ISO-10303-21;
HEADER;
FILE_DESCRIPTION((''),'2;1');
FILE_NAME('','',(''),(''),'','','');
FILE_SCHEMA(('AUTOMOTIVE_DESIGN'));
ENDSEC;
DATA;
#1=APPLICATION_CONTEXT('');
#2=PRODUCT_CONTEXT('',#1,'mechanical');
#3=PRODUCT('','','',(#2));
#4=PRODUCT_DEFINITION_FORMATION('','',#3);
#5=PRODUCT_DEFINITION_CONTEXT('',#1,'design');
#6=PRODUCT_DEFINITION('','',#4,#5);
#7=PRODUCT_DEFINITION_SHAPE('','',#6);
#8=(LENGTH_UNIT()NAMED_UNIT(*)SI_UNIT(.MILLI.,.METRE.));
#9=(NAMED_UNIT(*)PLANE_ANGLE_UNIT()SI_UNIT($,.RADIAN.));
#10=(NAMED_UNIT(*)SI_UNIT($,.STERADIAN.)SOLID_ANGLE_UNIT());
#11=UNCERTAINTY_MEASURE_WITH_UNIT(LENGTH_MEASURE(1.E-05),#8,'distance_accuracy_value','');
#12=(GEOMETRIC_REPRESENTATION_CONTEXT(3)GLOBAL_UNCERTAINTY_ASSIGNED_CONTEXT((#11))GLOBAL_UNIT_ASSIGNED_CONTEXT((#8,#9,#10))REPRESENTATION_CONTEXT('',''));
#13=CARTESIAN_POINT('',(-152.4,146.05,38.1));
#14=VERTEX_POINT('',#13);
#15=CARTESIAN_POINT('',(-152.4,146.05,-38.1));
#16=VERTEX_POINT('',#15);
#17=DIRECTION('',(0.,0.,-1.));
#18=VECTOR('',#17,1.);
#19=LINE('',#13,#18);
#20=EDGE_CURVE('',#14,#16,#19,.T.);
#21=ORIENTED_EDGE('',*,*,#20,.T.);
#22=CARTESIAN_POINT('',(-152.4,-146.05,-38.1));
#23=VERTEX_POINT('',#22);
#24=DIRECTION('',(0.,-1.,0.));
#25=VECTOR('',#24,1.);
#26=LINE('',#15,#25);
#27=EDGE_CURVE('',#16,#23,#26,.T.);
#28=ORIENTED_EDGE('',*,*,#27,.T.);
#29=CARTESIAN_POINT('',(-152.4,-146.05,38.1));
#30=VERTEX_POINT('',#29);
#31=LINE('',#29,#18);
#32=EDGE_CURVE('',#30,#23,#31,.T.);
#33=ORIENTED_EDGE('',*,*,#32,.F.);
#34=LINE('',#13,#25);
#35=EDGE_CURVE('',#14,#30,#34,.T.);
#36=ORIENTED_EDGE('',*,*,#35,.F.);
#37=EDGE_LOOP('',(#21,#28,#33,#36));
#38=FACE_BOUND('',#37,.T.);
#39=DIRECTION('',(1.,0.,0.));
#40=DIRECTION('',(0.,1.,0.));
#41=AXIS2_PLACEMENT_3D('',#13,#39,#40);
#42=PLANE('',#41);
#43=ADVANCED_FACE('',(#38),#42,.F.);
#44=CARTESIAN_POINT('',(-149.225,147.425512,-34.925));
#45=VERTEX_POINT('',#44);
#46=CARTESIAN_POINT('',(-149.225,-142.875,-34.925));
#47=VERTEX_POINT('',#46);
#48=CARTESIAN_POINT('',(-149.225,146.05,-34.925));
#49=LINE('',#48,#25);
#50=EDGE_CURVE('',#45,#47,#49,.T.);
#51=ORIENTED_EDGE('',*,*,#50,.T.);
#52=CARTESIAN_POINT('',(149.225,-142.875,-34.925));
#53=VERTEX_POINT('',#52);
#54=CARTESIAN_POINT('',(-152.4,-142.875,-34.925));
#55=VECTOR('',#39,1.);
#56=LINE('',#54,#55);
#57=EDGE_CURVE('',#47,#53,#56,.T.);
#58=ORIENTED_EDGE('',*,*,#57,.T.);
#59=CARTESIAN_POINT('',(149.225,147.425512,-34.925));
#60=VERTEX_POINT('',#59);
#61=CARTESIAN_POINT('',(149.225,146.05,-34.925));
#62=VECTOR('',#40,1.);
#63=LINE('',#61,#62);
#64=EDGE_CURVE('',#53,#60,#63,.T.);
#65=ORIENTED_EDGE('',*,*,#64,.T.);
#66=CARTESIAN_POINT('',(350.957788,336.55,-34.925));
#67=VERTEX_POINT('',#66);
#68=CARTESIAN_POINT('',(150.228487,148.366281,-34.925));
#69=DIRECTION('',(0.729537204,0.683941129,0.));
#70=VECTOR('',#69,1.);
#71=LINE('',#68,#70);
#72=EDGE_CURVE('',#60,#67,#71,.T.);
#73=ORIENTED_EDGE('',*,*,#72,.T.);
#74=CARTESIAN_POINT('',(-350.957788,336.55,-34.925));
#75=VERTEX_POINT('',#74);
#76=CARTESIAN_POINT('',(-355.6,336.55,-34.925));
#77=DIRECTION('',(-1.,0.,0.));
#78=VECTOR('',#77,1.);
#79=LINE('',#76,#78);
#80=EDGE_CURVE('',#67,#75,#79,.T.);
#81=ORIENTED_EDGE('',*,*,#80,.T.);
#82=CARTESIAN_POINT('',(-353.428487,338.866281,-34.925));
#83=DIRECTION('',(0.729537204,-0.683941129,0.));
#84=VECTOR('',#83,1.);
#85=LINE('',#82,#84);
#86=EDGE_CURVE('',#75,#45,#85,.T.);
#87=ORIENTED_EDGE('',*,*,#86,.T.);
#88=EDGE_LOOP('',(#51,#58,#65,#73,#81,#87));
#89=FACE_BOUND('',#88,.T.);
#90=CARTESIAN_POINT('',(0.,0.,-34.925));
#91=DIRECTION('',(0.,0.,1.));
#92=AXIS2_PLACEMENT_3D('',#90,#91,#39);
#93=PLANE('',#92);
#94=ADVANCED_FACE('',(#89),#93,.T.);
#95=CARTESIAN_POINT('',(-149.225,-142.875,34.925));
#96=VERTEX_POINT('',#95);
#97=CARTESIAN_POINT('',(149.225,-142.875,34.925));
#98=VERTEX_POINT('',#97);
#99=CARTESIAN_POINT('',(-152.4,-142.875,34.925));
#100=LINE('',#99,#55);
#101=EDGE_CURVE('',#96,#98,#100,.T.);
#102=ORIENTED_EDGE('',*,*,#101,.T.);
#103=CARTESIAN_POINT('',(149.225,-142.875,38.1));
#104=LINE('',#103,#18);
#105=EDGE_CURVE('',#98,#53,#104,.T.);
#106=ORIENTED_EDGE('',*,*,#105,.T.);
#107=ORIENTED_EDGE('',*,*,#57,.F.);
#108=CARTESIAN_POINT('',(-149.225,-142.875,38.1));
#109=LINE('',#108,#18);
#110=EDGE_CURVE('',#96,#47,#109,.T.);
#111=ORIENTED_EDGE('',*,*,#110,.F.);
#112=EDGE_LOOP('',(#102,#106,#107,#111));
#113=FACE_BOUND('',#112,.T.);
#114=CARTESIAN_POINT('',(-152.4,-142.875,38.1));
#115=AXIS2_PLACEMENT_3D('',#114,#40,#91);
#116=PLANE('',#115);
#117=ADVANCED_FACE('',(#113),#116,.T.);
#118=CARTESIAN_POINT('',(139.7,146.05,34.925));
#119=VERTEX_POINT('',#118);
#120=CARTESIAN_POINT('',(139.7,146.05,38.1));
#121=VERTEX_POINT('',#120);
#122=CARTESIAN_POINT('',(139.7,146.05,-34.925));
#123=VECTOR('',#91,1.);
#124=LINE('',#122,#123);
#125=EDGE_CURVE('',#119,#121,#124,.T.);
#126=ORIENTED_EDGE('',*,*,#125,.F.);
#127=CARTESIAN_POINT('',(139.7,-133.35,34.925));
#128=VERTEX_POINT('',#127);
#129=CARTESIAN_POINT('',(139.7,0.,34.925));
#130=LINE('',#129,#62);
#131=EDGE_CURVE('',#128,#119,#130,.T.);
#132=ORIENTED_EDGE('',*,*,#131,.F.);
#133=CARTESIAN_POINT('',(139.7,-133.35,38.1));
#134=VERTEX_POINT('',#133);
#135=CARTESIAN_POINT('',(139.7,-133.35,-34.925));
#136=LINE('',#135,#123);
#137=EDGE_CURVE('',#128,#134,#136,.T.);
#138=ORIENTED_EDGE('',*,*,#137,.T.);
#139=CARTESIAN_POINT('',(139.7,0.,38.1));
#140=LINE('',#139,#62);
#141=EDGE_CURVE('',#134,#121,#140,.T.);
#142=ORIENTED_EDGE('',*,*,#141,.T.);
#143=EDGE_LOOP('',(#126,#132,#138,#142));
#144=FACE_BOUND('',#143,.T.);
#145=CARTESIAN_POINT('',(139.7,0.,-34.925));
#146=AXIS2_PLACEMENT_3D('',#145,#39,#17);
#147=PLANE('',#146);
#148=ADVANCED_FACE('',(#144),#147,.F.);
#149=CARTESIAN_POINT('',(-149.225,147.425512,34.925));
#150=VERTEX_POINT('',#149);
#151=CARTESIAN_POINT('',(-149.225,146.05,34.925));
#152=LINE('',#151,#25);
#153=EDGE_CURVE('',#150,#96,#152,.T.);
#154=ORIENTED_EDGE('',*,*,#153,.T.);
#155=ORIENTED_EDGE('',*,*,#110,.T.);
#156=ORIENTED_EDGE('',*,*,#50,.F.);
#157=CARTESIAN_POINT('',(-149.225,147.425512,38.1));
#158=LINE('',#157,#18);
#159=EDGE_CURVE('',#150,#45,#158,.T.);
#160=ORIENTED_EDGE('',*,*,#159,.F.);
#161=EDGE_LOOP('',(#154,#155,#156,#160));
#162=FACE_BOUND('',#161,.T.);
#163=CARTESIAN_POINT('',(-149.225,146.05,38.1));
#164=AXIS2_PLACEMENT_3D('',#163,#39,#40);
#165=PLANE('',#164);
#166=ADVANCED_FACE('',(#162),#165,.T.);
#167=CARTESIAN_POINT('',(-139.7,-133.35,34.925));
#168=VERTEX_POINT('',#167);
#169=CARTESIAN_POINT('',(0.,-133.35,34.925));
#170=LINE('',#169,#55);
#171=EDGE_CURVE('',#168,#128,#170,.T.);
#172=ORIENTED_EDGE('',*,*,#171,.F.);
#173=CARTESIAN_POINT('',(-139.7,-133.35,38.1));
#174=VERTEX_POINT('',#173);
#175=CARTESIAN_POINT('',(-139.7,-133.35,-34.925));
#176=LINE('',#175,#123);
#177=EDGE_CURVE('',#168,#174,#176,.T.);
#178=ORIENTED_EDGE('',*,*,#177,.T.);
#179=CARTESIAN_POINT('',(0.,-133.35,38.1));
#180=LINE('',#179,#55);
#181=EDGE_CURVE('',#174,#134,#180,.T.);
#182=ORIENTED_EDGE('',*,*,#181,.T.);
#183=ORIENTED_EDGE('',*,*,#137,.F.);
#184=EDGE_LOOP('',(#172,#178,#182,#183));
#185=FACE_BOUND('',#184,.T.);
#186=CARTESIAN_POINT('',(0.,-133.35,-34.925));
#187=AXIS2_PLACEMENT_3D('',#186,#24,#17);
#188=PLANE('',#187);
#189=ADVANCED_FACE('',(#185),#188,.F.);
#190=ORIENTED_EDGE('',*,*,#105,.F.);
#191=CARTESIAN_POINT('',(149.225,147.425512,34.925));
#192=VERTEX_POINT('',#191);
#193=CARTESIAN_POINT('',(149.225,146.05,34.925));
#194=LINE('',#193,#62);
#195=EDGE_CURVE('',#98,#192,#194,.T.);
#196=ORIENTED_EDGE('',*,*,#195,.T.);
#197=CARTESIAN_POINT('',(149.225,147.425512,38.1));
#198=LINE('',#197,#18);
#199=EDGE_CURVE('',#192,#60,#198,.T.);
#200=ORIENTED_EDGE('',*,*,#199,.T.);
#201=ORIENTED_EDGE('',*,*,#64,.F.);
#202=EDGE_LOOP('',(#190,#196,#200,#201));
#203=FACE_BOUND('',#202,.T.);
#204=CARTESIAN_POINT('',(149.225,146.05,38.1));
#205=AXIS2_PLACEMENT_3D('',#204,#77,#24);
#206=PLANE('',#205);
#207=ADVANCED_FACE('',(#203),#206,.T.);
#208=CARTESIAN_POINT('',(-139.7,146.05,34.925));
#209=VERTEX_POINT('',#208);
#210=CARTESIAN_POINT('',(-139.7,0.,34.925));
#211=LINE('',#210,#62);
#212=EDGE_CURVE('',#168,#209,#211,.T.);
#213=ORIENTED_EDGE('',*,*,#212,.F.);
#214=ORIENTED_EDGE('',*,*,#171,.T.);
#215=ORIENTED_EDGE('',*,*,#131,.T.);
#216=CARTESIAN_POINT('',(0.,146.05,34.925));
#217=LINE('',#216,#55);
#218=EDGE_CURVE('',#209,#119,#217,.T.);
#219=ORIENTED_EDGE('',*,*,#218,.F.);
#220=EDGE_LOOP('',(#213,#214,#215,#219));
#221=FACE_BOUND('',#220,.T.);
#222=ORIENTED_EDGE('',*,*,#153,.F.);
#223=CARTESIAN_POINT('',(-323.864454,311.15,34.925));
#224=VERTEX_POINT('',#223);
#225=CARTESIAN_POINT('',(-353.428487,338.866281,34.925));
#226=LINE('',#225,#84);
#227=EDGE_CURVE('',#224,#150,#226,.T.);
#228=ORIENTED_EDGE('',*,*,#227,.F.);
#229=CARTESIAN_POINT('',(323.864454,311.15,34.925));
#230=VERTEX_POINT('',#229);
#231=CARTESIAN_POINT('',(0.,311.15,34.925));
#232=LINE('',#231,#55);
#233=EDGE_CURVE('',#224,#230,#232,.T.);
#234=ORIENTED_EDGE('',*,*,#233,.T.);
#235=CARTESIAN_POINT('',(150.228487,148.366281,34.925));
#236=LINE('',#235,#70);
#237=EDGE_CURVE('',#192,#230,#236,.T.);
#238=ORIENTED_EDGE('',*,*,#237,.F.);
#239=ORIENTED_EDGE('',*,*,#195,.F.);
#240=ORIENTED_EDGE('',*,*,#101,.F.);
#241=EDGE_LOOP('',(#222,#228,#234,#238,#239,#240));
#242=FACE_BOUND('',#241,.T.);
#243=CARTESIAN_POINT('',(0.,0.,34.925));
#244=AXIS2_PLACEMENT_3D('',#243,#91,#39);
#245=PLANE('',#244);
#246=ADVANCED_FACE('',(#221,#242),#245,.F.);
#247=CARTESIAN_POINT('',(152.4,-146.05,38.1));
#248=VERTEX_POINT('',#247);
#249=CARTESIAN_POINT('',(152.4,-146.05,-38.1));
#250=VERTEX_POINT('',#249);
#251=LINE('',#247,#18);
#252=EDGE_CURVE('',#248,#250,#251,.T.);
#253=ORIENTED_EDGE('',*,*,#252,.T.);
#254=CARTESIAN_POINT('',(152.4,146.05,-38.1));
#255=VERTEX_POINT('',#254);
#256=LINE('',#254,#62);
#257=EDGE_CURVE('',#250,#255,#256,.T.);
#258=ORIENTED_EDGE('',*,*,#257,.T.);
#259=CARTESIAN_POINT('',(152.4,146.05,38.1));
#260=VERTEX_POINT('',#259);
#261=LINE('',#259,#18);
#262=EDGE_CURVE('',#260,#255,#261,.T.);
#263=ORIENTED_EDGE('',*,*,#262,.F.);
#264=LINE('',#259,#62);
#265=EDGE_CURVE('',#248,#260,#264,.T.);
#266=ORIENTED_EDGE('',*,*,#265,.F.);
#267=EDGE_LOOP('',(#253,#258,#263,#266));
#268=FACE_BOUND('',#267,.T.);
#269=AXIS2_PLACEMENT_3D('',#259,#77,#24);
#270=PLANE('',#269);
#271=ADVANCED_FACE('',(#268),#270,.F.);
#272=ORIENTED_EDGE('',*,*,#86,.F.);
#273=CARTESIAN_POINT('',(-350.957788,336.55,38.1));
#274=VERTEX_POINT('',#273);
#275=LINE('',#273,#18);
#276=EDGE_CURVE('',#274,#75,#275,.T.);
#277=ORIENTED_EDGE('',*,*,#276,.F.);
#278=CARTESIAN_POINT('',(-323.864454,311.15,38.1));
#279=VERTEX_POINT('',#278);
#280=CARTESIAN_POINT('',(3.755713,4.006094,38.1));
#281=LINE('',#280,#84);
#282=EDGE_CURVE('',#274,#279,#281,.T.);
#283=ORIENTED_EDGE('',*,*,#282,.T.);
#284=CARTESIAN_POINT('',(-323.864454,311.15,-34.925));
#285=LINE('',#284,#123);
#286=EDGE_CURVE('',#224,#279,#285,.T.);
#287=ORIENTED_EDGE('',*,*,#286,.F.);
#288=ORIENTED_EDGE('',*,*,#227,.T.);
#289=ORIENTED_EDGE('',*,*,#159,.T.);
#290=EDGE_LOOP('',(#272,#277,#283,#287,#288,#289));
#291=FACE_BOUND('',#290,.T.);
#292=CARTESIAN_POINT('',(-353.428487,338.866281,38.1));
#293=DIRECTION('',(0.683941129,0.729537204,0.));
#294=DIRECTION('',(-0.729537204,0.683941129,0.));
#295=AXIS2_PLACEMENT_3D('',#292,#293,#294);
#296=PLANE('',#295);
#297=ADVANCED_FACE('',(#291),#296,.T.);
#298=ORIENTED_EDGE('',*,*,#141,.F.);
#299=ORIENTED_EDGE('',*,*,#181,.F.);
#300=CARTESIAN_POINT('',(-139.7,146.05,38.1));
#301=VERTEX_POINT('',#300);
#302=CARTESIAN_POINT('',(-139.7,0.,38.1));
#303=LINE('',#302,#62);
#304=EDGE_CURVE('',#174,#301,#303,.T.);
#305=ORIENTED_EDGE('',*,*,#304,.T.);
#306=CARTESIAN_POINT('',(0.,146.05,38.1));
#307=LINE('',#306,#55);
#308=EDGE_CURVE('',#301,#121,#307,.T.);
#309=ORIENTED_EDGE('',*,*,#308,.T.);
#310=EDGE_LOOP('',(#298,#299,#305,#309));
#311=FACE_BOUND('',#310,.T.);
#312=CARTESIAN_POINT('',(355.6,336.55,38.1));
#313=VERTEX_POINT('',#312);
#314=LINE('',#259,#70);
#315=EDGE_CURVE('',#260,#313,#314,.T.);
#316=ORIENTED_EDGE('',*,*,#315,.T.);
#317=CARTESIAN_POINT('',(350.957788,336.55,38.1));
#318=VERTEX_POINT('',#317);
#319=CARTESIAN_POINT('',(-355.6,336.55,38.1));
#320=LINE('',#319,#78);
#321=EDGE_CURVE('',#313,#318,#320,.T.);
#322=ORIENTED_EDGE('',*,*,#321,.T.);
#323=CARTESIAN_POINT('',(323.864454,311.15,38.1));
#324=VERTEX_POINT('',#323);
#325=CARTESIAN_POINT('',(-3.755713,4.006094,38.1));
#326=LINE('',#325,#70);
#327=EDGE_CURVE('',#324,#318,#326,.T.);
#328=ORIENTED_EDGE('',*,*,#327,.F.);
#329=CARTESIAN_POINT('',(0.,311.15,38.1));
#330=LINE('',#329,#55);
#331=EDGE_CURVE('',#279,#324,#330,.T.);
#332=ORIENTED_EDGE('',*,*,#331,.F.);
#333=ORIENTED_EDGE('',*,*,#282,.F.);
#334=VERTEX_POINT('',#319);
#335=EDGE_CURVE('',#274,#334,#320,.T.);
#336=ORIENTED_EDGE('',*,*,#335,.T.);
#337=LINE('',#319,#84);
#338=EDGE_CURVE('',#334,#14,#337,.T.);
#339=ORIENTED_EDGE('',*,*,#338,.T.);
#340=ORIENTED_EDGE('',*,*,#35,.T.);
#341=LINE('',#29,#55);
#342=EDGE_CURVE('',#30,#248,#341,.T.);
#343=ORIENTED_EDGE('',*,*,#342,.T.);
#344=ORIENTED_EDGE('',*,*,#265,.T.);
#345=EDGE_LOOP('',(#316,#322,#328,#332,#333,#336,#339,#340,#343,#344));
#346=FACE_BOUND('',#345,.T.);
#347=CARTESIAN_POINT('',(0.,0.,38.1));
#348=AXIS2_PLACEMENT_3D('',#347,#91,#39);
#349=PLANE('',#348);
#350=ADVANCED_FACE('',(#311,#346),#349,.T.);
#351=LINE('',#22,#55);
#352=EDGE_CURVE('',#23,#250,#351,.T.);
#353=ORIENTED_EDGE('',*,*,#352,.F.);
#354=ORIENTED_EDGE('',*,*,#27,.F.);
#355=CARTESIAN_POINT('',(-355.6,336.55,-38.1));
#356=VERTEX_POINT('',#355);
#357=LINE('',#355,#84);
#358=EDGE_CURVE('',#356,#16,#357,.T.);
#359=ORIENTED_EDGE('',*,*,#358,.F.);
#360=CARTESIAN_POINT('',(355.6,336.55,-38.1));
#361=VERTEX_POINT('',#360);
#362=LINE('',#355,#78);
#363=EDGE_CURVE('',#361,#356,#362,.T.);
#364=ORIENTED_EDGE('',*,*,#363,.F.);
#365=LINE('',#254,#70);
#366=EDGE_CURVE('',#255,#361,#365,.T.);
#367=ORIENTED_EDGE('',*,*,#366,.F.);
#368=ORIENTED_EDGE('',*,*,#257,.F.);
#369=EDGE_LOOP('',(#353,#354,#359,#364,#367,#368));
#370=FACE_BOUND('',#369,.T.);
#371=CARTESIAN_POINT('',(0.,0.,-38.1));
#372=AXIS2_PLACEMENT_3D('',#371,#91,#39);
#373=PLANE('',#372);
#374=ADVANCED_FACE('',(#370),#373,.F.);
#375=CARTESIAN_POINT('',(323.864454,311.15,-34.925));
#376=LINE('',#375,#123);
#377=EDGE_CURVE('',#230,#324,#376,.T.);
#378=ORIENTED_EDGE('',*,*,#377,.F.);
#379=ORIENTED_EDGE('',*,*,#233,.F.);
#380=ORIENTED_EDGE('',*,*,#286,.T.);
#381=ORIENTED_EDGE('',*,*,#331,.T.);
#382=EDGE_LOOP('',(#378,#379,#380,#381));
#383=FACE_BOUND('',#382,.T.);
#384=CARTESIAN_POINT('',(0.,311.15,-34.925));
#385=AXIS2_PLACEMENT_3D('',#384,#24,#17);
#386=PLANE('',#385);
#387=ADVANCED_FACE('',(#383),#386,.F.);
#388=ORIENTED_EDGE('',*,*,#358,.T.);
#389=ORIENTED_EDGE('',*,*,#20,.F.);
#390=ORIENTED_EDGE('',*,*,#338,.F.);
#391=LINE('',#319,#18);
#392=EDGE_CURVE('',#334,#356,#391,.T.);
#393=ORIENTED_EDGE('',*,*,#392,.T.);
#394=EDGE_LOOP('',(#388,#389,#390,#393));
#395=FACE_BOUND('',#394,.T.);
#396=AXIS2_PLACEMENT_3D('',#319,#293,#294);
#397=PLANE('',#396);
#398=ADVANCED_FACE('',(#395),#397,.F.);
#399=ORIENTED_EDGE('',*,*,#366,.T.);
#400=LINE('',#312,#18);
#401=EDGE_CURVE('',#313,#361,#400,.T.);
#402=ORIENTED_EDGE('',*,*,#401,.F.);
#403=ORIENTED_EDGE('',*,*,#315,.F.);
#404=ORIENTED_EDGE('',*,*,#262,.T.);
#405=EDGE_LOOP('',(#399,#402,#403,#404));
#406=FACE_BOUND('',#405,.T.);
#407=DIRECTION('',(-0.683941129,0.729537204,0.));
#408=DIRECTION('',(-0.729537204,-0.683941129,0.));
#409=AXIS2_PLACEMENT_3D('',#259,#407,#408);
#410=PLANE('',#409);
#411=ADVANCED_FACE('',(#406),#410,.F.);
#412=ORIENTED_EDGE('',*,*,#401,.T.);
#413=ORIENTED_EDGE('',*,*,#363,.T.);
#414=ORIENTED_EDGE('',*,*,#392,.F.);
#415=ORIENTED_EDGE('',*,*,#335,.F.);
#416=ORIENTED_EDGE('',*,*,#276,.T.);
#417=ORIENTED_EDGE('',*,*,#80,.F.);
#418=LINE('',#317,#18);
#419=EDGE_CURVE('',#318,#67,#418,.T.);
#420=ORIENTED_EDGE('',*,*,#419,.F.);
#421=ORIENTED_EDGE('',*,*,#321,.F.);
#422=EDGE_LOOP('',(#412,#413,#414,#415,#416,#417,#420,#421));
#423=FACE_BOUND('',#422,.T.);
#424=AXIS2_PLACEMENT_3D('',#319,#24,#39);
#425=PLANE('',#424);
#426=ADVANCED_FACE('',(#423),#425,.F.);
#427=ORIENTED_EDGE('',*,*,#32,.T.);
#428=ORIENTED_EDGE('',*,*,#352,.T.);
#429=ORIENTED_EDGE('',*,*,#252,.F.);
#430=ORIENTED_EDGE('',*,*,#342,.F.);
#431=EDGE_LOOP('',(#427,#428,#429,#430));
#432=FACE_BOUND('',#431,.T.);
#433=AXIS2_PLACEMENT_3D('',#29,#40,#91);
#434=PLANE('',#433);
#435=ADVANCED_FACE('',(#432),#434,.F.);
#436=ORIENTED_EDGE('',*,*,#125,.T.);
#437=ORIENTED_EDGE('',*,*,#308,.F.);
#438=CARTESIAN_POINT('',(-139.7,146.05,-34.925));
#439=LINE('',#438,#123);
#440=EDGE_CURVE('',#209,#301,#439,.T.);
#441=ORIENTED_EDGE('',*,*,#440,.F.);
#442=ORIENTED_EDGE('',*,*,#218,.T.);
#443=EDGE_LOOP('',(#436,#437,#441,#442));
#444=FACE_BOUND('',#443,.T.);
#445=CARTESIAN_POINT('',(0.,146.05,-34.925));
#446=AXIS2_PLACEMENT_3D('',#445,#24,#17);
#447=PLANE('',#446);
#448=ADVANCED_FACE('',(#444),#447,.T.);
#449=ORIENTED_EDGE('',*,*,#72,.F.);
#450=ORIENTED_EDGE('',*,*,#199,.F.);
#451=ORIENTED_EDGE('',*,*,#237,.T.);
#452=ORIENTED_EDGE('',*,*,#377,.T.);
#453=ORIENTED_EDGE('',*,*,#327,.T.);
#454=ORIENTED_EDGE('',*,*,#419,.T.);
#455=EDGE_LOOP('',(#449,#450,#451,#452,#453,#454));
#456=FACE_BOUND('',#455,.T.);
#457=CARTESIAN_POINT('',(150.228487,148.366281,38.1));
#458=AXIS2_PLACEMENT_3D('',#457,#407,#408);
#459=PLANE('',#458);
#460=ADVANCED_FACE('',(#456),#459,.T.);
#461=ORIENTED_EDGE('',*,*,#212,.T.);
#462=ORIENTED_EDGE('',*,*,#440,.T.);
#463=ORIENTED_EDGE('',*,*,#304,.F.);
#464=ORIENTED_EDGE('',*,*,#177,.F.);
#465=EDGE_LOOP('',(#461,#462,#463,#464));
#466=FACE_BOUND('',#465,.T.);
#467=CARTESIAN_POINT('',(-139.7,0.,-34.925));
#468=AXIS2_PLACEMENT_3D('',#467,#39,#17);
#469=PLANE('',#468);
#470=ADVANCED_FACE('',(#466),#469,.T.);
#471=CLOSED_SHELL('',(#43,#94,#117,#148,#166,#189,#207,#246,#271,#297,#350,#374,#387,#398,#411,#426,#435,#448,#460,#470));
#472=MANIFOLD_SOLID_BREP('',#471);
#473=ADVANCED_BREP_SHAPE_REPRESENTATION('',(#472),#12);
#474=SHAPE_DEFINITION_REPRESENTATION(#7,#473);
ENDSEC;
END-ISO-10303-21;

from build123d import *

# Parameters (mm, degrees)
BOSS_EXTRUDE1_DEPTH = 38.1
SHELL2_T            = -3.175
SKETCH2_W           = 279.4
SKETCH2_H           = 279.4
CUT_EXTRUDE1_DEPTH  = 73.025


with BuildPart() as part:
    # Sketch1 → Boss-Extrude1 (new body, symmetric)
    with BuildSketch(Plane.XY):
        Polygon((-152.4, 146.05), (-152.4, -146.05), (152.4, -146.05), (152.4, 146.05), (355.6, 336.55), (-355.6, 336.55), align=None)
    extrude(amount=BOSS_EXTRUDE1_DEPTH, both=True)

    # Shell2
    shell2_openings = [part.faces().sort_by_distance(p)[0] for p in [
        (0, 336.55, 0),
    ]]
    offset(amount=SHELL2_T, openings=shell2_openings, kind=Kind.INTERSECTION)

    # Sketch2 → Cut-Extrude1 (cut)
    with BuildSketch(Plane.XY.offset(38.1)):
        with Locations((0, 6.35)):
            Rectangle(SKETCH2_W, SKETCH2_H)
        Polygon((-350.957787584, 336.55), (-323.864454251, 311.15), (323.864454251, 311.15), (350.957787584, 336.55), align=None)
    extrude(amount=-CUT_EXTRUDE1_DEPTH, mode=Mode.SUBTRACT)


solid = part.part
